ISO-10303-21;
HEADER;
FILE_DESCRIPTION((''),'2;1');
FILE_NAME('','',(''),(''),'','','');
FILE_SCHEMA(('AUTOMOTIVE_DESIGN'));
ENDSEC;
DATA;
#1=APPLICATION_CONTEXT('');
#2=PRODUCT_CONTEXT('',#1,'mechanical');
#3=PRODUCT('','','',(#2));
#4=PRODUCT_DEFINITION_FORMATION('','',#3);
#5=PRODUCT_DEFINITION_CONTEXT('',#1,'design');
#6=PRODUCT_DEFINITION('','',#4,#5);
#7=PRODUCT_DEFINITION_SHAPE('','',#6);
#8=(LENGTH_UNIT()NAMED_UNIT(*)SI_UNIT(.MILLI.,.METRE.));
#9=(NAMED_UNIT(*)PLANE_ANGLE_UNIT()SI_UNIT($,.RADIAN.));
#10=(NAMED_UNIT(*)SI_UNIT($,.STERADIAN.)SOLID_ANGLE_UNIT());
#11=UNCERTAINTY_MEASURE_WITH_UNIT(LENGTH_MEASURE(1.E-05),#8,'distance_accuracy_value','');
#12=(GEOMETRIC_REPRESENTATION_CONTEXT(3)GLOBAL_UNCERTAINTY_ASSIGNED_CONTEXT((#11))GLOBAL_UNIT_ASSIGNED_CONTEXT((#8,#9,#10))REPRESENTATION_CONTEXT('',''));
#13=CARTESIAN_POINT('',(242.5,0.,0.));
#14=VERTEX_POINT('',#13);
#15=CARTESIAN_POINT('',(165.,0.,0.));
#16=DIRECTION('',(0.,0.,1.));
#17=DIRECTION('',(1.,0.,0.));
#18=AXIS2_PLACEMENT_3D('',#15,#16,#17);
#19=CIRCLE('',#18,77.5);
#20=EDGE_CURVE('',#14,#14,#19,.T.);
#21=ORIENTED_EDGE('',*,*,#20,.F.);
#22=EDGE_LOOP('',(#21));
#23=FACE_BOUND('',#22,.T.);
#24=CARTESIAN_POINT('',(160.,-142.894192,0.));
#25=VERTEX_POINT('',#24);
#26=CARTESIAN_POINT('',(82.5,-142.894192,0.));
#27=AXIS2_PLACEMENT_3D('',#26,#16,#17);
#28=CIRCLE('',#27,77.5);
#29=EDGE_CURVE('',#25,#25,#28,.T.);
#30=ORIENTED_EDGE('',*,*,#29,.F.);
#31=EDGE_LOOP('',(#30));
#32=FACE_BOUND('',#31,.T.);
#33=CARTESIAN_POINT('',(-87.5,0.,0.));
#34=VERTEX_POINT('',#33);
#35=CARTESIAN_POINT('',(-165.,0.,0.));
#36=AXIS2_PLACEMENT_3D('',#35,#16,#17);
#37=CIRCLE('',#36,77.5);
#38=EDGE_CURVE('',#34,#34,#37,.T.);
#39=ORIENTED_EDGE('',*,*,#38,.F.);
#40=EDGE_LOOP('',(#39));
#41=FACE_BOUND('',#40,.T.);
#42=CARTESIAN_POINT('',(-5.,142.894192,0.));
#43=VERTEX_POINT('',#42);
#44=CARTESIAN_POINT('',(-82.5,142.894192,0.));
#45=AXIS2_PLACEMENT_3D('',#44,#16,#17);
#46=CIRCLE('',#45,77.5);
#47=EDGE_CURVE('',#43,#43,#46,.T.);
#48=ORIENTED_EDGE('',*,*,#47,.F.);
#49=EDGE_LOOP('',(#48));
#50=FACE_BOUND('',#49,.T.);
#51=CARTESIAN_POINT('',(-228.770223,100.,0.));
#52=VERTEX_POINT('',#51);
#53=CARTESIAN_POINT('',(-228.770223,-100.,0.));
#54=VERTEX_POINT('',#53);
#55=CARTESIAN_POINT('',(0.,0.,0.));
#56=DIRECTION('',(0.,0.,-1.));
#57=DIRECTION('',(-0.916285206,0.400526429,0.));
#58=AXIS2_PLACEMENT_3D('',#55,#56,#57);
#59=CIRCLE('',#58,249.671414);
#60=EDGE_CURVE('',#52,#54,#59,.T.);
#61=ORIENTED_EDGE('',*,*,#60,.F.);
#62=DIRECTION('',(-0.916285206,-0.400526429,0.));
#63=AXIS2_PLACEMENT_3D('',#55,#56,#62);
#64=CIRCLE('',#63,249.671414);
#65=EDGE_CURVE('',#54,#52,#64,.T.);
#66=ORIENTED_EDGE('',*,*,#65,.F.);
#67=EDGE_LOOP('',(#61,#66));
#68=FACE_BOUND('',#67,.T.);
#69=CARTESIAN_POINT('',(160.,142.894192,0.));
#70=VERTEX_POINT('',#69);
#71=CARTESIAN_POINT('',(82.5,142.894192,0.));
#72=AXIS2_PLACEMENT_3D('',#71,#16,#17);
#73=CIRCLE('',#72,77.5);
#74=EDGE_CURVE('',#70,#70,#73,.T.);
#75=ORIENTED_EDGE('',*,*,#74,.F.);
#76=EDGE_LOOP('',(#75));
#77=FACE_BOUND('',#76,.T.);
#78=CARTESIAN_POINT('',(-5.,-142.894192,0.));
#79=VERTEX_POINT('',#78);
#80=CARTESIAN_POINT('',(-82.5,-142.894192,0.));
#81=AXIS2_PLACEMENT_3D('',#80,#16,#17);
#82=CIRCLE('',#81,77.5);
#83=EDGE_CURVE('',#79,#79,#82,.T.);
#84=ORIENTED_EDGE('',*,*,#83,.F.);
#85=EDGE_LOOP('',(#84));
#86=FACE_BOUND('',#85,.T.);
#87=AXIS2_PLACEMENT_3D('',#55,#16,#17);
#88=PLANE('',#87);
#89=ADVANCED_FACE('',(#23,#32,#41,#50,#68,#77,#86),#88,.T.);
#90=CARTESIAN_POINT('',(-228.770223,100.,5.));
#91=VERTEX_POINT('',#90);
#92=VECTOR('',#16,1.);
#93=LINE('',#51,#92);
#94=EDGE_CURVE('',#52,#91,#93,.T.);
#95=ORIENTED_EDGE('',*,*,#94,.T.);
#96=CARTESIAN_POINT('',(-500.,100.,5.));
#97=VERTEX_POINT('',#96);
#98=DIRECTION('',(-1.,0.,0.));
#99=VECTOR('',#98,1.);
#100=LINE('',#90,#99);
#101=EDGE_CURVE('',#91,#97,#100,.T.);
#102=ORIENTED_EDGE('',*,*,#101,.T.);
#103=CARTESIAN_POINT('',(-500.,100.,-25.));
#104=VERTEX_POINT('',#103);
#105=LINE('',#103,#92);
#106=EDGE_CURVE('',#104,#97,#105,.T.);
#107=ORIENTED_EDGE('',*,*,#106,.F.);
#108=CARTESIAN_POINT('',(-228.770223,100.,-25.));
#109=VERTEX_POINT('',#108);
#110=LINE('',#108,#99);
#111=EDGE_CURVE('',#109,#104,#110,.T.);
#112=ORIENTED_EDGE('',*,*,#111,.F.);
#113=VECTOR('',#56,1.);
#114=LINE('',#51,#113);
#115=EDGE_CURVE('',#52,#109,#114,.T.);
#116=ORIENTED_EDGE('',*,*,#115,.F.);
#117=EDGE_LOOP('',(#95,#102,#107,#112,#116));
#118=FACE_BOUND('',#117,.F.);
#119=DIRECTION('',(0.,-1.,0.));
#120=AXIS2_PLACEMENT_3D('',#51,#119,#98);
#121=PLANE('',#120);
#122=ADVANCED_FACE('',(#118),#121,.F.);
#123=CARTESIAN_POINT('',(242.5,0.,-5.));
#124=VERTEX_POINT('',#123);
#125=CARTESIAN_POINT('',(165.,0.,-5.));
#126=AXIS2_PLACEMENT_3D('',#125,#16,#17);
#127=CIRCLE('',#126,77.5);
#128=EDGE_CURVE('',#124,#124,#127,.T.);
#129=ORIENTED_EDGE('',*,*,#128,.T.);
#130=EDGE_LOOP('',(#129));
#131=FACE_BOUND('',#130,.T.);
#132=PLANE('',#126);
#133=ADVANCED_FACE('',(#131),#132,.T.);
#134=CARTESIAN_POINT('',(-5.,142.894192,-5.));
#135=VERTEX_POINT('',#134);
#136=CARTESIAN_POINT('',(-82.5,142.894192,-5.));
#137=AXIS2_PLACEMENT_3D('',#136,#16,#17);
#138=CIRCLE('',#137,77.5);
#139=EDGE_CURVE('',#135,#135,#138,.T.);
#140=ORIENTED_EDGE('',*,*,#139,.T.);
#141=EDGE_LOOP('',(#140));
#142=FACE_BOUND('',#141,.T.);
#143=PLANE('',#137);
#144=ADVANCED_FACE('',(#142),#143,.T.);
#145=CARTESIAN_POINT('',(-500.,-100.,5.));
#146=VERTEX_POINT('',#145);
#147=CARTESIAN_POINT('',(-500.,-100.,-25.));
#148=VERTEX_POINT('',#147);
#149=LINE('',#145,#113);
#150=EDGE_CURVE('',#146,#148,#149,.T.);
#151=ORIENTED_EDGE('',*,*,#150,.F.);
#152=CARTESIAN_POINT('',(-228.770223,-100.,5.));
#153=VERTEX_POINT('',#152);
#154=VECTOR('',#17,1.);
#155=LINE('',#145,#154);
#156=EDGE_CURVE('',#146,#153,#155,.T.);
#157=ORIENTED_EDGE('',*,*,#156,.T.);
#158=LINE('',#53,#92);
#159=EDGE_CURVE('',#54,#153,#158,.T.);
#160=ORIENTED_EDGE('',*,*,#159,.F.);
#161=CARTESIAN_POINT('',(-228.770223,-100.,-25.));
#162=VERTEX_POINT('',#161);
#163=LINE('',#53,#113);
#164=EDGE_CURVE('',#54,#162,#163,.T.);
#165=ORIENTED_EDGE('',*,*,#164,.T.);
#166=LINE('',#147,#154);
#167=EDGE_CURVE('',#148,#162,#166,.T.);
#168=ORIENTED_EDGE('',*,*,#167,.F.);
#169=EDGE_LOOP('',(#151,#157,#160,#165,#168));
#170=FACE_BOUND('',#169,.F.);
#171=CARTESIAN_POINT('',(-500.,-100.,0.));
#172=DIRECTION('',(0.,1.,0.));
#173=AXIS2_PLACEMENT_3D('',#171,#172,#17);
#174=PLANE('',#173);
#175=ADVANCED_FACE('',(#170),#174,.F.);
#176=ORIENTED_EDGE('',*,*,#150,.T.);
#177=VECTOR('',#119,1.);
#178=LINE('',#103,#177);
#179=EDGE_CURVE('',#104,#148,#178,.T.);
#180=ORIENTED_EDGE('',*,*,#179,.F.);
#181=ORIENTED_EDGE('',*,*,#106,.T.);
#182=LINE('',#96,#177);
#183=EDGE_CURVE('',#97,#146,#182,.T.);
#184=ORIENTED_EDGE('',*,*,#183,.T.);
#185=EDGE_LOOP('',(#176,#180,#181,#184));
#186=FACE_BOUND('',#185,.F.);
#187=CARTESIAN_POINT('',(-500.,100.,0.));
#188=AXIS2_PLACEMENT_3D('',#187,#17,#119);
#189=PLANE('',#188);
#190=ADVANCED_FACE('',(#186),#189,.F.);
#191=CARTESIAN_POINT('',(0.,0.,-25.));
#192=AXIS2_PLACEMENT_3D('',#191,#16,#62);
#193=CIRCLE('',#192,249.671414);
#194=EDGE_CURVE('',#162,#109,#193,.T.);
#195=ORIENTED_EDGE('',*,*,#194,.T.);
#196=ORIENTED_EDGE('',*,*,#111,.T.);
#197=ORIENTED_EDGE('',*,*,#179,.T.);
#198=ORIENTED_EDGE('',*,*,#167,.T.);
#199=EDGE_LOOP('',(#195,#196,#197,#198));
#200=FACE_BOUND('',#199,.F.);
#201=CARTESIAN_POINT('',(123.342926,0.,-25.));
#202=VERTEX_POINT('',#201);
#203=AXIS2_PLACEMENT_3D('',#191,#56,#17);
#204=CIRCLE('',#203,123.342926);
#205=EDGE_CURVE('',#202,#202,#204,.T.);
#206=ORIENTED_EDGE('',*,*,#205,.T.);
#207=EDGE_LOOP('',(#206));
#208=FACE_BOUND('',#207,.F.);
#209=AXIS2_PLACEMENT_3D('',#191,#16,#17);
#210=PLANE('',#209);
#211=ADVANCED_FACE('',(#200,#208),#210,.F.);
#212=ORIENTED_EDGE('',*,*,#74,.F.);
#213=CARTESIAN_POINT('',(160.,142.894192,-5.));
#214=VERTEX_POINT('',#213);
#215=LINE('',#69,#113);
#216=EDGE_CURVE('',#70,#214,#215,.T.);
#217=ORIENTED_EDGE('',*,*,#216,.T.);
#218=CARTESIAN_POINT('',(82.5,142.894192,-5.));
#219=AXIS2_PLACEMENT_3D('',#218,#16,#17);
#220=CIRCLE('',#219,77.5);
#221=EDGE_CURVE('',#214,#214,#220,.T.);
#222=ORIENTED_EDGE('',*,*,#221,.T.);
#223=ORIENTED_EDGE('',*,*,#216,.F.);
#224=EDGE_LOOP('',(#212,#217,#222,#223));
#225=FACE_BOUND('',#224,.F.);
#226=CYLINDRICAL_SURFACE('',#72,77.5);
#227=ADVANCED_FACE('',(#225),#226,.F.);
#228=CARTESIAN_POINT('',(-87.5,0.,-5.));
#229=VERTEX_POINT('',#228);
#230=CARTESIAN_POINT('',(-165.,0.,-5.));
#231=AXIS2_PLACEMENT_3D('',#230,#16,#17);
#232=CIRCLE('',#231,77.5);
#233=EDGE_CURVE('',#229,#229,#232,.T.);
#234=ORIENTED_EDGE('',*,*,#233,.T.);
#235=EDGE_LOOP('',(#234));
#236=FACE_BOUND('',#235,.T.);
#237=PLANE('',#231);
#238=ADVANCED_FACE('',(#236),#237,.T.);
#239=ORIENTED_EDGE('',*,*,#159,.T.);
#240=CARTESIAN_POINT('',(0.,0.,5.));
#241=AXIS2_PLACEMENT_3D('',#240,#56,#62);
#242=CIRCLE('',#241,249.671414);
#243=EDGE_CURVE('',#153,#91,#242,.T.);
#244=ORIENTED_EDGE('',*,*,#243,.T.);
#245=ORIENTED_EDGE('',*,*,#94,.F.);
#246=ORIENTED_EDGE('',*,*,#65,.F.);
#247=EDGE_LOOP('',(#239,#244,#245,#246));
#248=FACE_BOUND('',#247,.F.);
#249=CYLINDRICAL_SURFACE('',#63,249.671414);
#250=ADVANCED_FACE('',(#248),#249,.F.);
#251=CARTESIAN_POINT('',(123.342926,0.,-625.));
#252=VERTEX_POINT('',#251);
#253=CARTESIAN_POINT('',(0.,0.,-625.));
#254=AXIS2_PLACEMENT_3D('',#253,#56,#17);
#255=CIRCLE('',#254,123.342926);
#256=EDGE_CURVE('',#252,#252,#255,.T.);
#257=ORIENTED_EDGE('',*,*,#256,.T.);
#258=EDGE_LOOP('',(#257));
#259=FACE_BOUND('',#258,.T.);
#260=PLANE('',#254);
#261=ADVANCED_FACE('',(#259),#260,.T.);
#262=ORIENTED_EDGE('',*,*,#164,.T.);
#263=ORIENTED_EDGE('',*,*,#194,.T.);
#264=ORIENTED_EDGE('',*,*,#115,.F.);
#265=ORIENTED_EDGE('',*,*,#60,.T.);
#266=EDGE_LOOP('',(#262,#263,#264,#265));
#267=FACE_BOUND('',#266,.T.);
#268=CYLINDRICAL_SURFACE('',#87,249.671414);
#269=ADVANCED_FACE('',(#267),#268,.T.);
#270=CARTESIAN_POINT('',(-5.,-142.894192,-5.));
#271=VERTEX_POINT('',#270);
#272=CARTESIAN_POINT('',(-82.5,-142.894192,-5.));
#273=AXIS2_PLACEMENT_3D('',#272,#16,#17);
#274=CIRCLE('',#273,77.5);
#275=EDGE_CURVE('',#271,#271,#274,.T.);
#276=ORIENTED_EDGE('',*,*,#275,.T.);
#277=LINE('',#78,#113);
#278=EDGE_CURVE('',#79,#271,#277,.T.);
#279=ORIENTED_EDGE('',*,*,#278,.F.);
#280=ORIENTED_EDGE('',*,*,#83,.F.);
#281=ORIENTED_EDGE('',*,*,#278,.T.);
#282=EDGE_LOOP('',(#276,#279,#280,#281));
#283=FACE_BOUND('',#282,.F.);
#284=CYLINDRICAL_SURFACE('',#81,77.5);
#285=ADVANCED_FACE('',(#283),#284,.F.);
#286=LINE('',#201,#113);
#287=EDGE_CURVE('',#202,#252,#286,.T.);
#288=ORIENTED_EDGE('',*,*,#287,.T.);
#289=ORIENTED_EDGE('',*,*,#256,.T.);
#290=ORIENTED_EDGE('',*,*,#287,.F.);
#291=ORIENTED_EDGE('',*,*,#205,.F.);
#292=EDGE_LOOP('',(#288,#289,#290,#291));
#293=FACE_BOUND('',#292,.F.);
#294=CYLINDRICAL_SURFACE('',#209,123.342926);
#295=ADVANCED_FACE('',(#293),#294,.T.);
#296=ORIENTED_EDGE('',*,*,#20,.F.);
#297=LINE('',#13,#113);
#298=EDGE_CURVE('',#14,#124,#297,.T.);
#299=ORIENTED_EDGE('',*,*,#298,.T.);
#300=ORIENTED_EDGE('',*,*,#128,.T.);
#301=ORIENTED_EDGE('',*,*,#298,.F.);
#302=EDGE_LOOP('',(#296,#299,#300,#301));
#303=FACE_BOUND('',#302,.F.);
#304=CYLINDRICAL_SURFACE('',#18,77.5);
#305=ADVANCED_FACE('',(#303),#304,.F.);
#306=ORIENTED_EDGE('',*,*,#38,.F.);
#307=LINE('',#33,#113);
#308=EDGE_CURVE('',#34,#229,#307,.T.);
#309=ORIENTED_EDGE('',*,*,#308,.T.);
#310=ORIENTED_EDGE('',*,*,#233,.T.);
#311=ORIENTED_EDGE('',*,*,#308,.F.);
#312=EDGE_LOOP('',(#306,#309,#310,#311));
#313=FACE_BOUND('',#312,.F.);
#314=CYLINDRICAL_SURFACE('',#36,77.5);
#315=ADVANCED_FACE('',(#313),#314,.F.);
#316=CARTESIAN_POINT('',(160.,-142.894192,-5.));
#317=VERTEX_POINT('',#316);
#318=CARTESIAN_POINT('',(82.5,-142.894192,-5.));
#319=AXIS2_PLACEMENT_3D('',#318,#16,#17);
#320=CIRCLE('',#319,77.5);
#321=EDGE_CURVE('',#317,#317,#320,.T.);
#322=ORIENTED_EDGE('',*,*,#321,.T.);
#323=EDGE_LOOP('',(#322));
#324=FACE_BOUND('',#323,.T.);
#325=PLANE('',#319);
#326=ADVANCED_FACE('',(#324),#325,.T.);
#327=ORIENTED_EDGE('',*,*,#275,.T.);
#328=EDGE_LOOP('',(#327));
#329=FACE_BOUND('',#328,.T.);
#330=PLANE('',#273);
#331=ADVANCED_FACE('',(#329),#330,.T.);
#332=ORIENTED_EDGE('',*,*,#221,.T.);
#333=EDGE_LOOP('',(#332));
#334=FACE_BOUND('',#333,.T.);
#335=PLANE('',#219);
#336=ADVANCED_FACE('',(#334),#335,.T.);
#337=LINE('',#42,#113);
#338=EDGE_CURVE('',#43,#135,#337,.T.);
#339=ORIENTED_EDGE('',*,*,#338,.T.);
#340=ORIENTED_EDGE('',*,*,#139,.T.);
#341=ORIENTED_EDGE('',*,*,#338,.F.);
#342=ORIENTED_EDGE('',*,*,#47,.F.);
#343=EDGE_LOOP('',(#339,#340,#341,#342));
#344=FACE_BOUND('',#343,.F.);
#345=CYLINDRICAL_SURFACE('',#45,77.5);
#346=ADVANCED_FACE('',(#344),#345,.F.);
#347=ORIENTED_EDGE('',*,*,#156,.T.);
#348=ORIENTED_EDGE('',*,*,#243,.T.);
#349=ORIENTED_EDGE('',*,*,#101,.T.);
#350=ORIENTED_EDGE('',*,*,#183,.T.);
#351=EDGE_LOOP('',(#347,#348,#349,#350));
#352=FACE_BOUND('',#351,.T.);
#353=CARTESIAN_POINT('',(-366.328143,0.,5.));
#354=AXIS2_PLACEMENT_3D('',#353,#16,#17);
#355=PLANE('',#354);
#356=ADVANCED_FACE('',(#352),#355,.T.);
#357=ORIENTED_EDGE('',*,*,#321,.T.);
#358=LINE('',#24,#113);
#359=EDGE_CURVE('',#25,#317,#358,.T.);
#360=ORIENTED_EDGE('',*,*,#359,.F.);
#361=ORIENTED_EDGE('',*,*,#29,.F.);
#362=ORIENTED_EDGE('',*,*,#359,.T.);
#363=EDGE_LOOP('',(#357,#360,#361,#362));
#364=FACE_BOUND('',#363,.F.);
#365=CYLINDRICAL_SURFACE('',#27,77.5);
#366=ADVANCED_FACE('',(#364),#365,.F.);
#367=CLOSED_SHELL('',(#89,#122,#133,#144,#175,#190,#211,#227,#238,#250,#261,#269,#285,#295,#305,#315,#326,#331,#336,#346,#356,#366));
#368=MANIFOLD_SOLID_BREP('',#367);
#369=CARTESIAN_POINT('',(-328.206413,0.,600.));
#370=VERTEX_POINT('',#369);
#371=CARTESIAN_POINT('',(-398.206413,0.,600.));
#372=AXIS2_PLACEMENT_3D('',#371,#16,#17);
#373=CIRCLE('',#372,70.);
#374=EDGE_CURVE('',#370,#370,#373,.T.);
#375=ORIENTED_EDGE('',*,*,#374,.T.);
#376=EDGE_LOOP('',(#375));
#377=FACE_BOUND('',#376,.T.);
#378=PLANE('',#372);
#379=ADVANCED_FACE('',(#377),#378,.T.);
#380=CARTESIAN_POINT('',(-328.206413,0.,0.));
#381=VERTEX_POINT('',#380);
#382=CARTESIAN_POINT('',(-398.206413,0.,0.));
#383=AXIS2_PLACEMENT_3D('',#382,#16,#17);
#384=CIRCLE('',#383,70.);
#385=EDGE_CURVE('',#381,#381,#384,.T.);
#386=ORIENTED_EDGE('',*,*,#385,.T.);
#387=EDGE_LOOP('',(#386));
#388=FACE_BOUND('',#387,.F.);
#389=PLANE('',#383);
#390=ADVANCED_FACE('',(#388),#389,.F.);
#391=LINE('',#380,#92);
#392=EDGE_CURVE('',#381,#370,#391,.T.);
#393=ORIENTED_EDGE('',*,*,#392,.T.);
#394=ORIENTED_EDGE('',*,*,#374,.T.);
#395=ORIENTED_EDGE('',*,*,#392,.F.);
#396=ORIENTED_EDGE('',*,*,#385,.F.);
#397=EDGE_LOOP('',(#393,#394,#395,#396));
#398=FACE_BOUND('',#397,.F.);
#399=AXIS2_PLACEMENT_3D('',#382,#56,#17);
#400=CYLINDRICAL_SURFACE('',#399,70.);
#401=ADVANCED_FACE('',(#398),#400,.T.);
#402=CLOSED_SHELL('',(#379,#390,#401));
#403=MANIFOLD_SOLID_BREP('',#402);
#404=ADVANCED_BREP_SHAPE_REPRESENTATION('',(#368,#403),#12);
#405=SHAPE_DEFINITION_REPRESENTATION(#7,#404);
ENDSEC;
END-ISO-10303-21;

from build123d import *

# Parameters (mm, degrees)
F0_R          = 249.6714141726
F0_R_2        = 77.5
F1_DEPTH      = 25
F2_DEPTH      = 5
F3_R          = 70
F4_DEPTH      = 25
F4_DEPTH_BACK = 5
F5_DEPTH      = 600
F6_R          = 123.3429255196
F7_DEPTH      = 600


with BuildPart() as f1:
    # F0 (on Top) → F1 (new body)
    with BuildSketch(Plane.XY):
        Circle(F0_R)
        with Locations((-82.5, -142.8941916244)):
            Circle(F0_R_2, mode=Mode.SUBTRACT)
        with Locations((82.5, -142.8941916244)):
            Circle(F0_R_2, mode=Mode.SUBTRACT)
        with Locations((-165, 0)):
            Circle(F0_R_2, mode=Mode.SUBTRACT)
        with Locations((-82.5, 142.8941916244)):
            Circle(F0_R_2, mode=Mode.SUBTRACT)
        with Locations((165, 0)):
            Circle(F0_R_2, mode=Mode.SUBTRACT)
        with Locations((82.5, 142.8941916244)):
            Circle(F0_R_2, mode=Mode.SUBTRACT)
        with Locations((-82.5, 142.8941916244)):
            Circle(F0_R_2)
        with Locations((82.5, 142.8941916244)):
            Circle(F0_R_2)
        with Locations((165, 0)):
            Circle(F0_R_2)
        with Locations((-165, 0)):
            Circle(F0_R_2)
        with Locations((-82.5, -142.8941916244)):
            Circle(F0_R_2)
        with Locations((82.5, -142.8941916244)):
            Circle(F0_R_2)
    extrude(amount=-F1_DEPTH)

    # F0 (on Top) → F2 (cut)
    with BuildSketch(Plane.XY):
        with Locations((-82.5, 142.8941916244)):
            Circle(F0_R_2)
        with Locations((82.5, 142.8941916244)):
            Circle(F0_R_2)
        with Locations((165, 0)):
            Circle(F0_R_2)
        with Locations((82.5, -142.8941916244)):
            Circle(F0_R_2)
        with Locations((-82.5, -142.8941916244)):
            Circle(F0_R_2)
        with Locations((-165, 0)):
            Circle(F0_R_2)
    extrude(amount=-F2_DEPTH, mode=Mode.SUBTRACT)

    # F3 (on face) → F4 (join, two sides)
    with BuildSketch(Plane.XY) as f4_sk:
        with BuildLine():
            ThreePointArc((-228.7702232699, -100), (-249.6714141726, 0), (-228.7702232699, 100))
            Line((-228.7702232699, 100), (-500, 100))
            Line((-500, 100), (-500, -100))
            Line((-500, -100), (-228.7702232699, -100))
        make_face()
        with Locations((-398.2064127922, 0)):
            Circle(F3_R, mode=Mode.SUBTRACT)
        with Locations((-398.2064127922, 0)):
            Circle(F3_R)
    extrude(amount=-F4_DEPTH)
    extrude(f4_sk.sketch, amount=F4_DEPTH_BACK)

    # F6 (on face) → F7 (join)
    with BuildSketch(Plane(origin=(0, 0, -25), x_dir=(1, 0, 0), z_dir=(0, 0, -1))):
        Circle(F6_R)
    extrude(amount=F7_DEPTH)


with BuildPart() as f5:
    # F3 (on face) → F5 (new body)
    with BuildSketch(Plane.XY):
        with Locations((-398.2064127922, 0)):
            Circle(F3_R)
    extrude(amount=F5_DEPTH)


solid = Compound([f1.part, f5.part])
